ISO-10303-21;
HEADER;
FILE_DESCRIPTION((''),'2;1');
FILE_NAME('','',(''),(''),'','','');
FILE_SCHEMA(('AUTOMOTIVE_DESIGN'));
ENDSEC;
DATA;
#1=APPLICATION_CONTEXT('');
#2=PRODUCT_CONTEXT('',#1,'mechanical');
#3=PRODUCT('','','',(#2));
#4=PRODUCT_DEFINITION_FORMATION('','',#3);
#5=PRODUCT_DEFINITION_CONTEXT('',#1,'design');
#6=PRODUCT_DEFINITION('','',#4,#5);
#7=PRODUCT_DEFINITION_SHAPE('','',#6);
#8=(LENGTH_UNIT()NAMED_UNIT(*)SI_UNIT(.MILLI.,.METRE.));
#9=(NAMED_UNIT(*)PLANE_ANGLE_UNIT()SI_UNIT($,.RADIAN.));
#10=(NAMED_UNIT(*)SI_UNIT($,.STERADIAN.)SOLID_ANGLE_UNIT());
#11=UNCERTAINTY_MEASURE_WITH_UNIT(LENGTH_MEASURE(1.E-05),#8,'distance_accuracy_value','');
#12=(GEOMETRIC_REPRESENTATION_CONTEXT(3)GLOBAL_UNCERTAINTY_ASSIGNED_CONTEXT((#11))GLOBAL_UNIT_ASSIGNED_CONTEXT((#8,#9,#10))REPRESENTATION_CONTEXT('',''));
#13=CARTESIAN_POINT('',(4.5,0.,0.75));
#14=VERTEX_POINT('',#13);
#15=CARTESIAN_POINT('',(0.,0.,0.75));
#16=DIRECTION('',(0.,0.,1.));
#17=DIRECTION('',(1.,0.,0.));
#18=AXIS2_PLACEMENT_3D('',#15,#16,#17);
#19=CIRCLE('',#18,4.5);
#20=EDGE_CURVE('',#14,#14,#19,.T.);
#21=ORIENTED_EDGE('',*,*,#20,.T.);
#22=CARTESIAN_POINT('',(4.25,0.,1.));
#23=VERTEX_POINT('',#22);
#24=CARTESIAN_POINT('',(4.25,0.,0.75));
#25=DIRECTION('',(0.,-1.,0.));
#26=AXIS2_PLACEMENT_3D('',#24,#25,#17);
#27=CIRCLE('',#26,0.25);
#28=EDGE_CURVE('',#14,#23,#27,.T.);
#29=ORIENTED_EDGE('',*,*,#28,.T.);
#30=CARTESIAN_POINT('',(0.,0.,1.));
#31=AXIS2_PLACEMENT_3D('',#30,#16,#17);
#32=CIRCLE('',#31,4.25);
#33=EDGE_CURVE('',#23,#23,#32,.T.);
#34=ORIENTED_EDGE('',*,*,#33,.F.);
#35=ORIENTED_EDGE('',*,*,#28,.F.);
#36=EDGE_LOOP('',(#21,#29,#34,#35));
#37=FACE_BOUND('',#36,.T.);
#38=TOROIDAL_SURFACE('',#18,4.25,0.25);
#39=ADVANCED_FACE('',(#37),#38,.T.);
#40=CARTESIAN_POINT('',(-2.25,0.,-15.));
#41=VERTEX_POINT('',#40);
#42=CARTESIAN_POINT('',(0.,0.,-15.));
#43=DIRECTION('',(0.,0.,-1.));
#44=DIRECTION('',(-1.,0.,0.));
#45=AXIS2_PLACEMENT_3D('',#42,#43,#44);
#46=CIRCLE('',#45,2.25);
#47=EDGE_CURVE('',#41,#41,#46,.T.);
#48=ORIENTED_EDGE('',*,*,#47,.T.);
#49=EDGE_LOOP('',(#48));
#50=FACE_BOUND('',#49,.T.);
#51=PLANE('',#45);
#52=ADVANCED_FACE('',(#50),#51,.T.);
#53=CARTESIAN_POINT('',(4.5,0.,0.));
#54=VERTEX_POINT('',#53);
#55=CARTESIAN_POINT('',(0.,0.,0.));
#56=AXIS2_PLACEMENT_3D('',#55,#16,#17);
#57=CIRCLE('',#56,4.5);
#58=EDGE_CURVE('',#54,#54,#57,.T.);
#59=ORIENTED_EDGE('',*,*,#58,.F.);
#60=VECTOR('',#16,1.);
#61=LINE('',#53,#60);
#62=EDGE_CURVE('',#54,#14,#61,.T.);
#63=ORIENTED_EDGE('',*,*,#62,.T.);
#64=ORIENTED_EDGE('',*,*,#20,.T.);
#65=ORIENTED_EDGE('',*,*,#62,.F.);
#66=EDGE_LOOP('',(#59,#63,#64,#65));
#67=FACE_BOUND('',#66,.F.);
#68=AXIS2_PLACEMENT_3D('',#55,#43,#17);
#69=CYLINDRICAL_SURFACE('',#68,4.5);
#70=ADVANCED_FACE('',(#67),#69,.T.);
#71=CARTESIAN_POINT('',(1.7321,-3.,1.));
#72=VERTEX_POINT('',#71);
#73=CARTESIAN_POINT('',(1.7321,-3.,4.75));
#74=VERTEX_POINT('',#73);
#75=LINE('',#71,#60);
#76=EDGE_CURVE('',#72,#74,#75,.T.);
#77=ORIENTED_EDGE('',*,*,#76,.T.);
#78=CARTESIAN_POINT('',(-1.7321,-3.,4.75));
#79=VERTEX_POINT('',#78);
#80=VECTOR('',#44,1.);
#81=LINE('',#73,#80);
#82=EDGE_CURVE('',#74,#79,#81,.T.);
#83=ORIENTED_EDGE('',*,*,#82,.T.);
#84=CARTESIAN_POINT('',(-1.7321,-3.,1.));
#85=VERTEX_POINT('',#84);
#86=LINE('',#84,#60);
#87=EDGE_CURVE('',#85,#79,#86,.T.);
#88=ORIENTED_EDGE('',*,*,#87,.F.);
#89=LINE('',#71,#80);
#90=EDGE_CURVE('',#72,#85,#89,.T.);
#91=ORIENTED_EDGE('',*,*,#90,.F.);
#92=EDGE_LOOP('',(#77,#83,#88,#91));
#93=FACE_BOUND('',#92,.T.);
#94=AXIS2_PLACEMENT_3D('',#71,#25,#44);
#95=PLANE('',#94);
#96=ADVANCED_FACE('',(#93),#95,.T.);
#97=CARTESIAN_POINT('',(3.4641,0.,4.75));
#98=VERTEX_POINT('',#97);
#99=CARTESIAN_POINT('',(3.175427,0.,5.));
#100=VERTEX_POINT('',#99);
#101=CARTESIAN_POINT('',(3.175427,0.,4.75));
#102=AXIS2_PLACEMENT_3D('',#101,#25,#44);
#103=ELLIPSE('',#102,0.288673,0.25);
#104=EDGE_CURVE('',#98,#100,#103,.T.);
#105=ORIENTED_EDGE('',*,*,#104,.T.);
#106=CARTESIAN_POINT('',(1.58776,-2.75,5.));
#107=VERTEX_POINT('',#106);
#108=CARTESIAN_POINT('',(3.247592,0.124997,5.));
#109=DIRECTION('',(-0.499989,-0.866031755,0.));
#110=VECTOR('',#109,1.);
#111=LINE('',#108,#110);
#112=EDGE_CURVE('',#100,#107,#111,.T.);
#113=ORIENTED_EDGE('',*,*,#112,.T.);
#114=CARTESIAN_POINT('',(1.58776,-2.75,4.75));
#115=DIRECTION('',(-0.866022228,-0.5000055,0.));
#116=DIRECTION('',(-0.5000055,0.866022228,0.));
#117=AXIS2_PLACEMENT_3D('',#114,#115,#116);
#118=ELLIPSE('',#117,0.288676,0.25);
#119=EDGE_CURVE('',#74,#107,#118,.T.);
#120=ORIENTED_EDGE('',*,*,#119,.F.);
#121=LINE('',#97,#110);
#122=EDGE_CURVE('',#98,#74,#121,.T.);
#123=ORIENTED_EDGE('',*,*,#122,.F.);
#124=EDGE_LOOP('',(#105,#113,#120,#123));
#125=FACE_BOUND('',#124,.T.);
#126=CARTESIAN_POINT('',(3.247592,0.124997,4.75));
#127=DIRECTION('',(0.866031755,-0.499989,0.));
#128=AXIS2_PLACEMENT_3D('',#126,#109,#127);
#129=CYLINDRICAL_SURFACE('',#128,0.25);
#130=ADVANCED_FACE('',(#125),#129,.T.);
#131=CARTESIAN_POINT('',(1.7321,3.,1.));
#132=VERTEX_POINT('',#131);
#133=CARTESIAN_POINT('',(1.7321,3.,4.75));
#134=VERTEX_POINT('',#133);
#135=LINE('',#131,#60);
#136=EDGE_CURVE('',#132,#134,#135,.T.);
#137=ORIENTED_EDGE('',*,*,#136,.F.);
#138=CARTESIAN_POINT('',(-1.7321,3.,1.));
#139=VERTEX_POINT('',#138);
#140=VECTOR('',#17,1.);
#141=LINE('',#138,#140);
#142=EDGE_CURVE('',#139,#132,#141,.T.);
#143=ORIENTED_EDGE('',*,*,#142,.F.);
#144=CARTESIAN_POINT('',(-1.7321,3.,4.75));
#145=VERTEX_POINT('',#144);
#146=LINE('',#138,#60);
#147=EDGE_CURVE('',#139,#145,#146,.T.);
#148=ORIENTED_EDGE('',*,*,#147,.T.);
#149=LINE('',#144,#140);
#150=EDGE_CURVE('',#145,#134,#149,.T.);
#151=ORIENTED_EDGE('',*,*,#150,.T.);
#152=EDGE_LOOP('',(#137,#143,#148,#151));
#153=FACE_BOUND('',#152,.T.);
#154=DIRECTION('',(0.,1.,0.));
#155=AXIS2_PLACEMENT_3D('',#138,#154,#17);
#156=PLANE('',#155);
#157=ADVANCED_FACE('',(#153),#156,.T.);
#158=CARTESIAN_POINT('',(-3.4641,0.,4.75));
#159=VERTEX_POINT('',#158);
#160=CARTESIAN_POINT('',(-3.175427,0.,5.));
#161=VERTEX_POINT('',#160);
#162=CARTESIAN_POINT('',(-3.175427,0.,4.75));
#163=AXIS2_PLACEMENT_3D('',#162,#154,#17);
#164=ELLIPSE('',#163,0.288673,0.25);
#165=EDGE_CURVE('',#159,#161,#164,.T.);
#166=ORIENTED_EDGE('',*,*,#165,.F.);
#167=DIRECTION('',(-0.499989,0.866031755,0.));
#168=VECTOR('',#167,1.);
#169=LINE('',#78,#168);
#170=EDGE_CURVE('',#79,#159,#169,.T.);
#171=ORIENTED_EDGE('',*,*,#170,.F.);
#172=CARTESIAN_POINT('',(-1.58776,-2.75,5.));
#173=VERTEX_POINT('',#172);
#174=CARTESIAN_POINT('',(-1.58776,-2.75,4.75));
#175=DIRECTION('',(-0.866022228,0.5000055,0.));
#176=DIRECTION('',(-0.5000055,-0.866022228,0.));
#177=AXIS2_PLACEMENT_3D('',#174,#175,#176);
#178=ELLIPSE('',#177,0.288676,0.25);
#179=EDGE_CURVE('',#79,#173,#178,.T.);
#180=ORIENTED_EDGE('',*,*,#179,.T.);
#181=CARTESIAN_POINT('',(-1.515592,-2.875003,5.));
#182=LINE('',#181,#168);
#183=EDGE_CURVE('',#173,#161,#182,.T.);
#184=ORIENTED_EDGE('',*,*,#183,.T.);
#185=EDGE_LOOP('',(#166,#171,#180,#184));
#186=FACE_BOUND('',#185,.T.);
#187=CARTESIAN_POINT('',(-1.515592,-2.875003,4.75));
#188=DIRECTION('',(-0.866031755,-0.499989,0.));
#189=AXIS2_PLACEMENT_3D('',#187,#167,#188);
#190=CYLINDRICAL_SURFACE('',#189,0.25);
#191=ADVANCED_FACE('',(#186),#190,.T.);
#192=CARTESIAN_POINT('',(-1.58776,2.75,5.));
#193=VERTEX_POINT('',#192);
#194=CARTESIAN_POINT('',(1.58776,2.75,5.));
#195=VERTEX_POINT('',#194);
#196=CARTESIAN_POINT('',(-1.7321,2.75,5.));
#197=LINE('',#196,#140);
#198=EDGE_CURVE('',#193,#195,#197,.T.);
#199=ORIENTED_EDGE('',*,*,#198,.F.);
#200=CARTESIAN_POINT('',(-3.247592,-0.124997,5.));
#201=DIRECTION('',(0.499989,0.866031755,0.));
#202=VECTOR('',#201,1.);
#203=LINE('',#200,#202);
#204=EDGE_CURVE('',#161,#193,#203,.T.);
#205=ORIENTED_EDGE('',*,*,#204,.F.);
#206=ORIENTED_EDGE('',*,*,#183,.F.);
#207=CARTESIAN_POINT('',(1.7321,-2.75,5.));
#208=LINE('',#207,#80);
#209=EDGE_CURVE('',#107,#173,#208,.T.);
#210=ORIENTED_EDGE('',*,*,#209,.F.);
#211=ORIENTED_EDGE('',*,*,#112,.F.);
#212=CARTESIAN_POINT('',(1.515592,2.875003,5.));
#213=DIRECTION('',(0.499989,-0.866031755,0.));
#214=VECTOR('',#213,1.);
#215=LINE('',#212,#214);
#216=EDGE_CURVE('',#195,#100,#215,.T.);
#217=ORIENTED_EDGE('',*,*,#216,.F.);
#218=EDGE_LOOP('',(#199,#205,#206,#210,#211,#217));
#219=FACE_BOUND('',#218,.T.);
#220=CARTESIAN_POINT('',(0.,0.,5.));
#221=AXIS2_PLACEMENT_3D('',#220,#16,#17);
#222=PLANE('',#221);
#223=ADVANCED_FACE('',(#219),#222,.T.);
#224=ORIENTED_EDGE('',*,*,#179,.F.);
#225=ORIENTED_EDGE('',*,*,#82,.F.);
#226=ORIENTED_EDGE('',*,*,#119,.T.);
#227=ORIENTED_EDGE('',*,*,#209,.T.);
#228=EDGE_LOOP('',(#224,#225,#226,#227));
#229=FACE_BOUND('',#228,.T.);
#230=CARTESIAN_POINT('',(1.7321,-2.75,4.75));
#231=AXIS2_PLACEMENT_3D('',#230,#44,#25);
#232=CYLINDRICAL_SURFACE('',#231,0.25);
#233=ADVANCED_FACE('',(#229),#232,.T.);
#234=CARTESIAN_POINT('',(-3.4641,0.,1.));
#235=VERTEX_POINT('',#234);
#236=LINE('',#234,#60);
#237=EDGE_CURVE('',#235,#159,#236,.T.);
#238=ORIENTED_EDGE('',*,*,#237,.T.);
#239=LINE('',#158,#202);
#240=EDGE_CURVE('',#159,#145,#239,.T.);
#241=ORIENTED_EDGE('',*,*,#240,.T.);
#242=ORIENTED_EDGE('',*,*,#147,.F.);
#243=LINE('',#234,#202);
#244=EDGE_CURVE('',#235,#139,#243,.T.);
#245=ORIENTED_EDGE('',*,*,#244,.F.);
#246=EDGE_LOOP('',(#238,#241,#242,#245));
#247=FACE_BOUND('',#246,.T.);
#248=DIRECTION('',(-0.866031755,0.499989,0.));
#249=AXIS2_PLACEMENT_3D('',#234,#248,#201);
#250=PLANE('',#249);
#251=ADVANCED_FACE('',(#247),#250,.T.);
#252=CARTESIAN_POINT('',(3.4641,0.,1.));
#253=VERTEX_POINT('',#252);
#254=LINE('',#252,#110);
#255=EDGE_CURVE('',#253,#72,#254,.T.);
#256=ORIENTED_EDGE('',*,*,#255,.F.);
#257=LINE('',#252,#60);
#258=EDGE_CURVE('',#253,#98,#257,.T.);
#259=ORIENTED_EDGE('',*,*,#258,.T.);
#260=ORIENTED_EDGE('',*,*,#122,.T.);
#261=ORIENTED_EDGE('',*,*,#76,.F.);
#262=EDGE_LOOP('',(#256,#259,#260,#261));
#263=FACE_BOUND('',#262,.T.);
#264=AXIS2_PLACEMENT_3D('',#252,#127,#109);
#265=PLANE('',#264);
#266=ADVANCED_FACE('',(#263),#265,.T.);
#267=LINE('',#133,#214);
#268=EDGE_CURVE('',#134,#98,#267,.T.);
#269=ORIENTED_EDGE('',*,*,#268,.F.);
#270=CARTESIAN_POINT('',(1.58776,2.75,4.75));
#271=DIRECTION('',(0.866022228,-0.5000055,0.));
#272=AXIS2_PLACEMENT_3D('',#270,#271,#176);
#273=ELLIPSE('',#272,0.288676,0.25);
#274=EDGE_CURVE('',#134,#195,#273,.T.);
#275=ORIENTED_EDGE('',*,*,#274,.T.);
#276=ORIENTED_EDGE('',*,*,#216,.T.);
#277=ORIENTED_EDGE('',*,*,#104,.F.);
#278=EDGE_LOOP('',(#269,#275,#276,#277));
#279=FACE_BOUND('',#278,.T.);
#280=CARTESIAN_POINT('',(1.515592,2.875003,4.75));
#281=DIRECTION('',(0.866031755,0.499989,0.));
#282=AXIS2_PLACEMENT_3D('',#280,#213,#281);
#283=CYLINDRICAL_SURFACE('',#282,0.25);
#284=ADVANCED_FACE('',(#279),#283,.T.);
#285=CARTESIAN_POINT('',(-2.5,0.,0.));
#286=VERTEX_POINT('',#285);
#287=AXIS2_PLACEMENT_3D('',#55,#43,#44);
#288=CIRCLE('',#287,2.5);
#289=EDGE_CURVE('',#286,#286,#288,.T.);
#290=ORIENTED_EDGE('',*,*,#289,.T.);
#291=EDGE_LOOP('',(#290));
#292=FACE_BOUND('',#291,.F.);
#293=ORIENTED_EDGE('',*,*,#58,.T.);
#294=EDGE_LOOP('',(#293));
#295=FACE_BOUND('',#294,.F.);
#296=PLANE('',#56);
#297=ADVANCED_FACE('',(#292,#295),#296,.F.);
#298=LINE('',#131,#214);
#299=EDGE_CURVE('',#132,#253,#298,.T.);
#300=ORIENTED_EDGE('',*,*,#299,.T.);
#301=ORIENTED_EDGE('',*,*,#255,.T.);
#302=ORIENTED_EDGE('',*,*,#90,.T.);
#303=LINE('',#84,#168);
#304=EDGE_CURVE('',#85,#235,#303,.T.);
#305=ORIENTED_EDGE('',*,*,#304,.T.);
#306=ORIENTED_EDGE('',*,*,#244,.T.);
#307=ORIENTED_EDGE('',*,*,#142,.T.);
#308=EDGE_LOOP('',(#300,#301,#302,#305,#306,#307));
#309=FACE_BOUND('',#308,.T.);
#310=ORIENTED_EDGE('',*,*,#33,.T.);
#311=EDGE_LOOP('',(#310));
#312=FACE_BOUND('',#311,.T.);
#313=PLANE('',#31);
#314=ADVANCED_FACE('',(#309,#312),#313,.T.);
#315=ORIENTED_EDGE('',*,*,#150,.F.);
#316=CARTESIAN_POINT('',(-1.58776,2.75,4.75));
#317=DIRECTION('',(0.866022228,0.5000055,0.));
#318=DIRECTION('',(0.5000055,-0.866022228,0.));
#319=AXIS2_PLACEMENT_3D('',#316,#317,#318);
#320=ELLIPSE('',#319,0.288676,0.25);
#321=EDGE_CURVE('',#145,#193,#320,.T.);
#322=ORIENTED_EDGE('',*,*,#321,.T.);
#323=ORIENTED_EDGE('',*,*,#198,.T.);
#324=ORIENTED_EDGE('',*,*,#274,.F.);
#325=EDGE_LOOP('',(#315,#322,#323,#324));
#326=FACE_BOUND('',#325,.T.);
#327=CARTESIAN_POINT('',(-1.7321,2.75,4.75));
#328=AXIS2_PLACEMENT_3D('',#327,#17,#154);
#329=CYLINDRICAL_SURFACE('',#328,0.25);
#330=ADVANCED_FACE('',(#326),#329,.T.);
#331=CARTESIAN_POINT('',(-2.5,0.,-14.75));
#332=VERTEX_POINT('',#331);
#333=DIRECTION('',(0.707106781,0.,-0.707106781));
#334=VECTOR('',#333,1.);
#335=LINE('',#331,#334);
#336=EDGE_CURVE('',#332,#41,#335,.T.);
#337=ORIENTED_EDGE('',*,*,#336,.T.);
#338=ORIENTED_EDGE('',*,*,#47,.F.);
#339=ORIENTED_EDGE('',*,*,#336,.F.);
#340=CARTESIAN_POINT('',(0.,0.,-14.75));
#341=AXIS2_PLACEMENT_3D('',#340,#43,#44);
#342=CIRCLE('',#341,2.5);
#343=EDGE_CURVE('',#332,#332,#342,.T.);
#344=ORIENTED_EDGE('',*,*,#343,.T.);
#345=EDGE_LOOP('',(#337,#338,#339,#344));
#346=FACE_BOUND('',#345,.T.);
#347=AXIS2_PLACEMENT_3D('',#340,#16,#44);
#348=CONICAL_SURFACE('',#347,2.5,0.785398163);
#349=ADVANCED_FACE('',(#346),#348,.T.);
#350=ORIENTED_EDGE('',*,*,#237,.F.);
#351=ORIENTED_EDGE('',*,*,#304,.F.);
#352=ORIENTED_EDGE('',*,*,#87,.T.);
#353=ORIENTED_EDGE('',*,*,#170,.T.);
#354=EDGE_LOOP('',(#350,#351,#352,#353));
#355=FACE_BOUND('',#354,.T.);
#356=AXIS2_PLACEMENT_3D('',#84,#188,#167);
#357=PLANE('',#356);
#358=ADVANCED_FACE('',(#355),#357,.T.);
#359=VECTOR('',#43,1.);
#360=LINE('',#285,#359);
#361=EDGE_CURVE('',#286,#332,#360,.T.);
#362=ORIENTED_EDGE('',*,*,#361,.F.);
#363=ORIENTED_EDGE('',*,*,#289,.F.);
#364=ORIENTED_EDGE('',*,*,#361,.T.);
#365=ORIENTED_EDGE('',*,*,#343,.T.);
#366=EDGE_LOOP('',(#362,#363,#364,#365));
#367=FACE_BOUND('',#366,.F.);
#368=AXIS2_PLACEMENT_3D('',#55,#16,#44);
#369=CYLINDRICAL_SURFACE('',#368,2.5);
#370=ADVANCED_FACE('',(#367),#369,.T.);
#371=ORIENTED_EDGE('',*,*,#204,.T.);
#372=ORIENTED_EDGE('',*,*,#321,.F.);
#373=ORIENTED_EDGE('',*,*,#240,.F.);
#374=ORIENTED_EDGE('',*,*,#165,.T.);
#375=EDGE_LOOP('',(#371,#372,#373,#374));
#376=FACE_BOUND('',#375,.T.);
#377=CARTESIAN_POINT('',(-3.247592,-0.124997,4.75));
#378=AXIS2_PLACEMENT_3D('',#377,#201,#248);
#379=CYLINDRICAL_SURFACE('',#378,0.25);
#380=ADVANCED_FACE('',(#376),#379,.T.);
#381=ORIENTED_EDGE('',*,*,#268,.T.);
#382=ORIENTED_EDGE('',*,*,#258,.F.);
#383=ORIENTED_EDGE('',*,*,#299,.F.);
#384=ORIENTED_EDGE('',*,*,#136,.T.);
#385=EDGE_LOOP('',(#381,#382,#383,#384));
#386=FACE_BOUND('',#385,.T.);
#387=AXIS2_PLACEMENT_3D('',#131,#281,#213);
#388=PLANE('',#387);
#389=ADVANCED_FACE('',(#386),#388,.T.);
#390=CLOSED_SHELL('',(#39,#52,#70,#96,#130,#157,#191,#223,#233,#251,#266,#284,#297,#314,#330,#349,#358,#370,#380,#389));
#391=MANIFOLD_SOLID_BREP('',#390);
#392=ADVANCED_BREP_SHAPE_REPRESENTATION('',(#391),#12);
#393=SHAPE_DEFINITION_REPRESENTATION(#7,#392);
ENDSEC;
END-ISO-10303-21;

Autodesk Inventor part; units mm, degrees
ref_plane "YZ Plane" through (0, 0, 0) normal (1, 0, 0) x (0, 1, 0)
ref_plane "XZ Plane" through (0, 0, 0) normal (0, 1, 0) x (-1, 0, 0)
ref_plane "XY Plane" through (0, 0, 0) normal (0, 0, 1) x (1, 0, 0)
sketch "草图1" plane through (0, 0, 0) normal (0, 0, 1) x (1, 0, 0)
  circle A0 centre (0, 0) radius 4.5
  dimension "d0" = 9
extrude "拉伸1" add sketch "草图1" along normal blind 1
sketch "草图2" plane through (0, 0, 1) normal (0, 0, 1) x (1, 0, 0)
  line L0 (1.7321, -3) -> (-1.7321, -3)
  line L1 (-1.7321, -3) -> (-3.4641, 0)
  line L2 (-3.4641, 0) -> (-1.7321, 3)
  line L3 (-1.7321, 3) -> (1.7321, 3)
  line L4 (1.7321, 3) -> (3.4641, 0)
  line L5 (3.4641, 0) -> (1.7321, -3)
  line L6 (0, 0) -> (0, 0.7282)
  point P0 (0, 3)
  dimension "d3" = 0.7282
  dimension "d4" = 6
extrude "拉伸2" add sketch "草图2" along normal blind 4
sketch "草图3" plane through (0, 0, 0) normal (0, 0, -1) x (-1, 0, 0)
  circle A0 centre (0, 0) radius 2.5
  dimension "d7" = 5
extrude "拉伸3" add sketch "草图3" along normal blind 15
thread "螺纹1" size "M5x0.8" class "6g" standard "ANSI Metric M Profile" full length
chamfer "倒角1" distance 0.25 angle 45 1 edges at (2.5, 0, -15)
fillet "圆角1" radius 0.25 1 edges at (-4.5, 0, 1)
fillet "圆角2" radius 0.25 6 edges at (0, -3, 5) (2.5981, -1.5, 5) (2.5981, 1.5, 5) (0, 3, 5) (-2.5981, 1.5, 5) (-2.5981, -1.5, 5)
properties part number "砂轮架带动曲柄轴盖螺丝"
